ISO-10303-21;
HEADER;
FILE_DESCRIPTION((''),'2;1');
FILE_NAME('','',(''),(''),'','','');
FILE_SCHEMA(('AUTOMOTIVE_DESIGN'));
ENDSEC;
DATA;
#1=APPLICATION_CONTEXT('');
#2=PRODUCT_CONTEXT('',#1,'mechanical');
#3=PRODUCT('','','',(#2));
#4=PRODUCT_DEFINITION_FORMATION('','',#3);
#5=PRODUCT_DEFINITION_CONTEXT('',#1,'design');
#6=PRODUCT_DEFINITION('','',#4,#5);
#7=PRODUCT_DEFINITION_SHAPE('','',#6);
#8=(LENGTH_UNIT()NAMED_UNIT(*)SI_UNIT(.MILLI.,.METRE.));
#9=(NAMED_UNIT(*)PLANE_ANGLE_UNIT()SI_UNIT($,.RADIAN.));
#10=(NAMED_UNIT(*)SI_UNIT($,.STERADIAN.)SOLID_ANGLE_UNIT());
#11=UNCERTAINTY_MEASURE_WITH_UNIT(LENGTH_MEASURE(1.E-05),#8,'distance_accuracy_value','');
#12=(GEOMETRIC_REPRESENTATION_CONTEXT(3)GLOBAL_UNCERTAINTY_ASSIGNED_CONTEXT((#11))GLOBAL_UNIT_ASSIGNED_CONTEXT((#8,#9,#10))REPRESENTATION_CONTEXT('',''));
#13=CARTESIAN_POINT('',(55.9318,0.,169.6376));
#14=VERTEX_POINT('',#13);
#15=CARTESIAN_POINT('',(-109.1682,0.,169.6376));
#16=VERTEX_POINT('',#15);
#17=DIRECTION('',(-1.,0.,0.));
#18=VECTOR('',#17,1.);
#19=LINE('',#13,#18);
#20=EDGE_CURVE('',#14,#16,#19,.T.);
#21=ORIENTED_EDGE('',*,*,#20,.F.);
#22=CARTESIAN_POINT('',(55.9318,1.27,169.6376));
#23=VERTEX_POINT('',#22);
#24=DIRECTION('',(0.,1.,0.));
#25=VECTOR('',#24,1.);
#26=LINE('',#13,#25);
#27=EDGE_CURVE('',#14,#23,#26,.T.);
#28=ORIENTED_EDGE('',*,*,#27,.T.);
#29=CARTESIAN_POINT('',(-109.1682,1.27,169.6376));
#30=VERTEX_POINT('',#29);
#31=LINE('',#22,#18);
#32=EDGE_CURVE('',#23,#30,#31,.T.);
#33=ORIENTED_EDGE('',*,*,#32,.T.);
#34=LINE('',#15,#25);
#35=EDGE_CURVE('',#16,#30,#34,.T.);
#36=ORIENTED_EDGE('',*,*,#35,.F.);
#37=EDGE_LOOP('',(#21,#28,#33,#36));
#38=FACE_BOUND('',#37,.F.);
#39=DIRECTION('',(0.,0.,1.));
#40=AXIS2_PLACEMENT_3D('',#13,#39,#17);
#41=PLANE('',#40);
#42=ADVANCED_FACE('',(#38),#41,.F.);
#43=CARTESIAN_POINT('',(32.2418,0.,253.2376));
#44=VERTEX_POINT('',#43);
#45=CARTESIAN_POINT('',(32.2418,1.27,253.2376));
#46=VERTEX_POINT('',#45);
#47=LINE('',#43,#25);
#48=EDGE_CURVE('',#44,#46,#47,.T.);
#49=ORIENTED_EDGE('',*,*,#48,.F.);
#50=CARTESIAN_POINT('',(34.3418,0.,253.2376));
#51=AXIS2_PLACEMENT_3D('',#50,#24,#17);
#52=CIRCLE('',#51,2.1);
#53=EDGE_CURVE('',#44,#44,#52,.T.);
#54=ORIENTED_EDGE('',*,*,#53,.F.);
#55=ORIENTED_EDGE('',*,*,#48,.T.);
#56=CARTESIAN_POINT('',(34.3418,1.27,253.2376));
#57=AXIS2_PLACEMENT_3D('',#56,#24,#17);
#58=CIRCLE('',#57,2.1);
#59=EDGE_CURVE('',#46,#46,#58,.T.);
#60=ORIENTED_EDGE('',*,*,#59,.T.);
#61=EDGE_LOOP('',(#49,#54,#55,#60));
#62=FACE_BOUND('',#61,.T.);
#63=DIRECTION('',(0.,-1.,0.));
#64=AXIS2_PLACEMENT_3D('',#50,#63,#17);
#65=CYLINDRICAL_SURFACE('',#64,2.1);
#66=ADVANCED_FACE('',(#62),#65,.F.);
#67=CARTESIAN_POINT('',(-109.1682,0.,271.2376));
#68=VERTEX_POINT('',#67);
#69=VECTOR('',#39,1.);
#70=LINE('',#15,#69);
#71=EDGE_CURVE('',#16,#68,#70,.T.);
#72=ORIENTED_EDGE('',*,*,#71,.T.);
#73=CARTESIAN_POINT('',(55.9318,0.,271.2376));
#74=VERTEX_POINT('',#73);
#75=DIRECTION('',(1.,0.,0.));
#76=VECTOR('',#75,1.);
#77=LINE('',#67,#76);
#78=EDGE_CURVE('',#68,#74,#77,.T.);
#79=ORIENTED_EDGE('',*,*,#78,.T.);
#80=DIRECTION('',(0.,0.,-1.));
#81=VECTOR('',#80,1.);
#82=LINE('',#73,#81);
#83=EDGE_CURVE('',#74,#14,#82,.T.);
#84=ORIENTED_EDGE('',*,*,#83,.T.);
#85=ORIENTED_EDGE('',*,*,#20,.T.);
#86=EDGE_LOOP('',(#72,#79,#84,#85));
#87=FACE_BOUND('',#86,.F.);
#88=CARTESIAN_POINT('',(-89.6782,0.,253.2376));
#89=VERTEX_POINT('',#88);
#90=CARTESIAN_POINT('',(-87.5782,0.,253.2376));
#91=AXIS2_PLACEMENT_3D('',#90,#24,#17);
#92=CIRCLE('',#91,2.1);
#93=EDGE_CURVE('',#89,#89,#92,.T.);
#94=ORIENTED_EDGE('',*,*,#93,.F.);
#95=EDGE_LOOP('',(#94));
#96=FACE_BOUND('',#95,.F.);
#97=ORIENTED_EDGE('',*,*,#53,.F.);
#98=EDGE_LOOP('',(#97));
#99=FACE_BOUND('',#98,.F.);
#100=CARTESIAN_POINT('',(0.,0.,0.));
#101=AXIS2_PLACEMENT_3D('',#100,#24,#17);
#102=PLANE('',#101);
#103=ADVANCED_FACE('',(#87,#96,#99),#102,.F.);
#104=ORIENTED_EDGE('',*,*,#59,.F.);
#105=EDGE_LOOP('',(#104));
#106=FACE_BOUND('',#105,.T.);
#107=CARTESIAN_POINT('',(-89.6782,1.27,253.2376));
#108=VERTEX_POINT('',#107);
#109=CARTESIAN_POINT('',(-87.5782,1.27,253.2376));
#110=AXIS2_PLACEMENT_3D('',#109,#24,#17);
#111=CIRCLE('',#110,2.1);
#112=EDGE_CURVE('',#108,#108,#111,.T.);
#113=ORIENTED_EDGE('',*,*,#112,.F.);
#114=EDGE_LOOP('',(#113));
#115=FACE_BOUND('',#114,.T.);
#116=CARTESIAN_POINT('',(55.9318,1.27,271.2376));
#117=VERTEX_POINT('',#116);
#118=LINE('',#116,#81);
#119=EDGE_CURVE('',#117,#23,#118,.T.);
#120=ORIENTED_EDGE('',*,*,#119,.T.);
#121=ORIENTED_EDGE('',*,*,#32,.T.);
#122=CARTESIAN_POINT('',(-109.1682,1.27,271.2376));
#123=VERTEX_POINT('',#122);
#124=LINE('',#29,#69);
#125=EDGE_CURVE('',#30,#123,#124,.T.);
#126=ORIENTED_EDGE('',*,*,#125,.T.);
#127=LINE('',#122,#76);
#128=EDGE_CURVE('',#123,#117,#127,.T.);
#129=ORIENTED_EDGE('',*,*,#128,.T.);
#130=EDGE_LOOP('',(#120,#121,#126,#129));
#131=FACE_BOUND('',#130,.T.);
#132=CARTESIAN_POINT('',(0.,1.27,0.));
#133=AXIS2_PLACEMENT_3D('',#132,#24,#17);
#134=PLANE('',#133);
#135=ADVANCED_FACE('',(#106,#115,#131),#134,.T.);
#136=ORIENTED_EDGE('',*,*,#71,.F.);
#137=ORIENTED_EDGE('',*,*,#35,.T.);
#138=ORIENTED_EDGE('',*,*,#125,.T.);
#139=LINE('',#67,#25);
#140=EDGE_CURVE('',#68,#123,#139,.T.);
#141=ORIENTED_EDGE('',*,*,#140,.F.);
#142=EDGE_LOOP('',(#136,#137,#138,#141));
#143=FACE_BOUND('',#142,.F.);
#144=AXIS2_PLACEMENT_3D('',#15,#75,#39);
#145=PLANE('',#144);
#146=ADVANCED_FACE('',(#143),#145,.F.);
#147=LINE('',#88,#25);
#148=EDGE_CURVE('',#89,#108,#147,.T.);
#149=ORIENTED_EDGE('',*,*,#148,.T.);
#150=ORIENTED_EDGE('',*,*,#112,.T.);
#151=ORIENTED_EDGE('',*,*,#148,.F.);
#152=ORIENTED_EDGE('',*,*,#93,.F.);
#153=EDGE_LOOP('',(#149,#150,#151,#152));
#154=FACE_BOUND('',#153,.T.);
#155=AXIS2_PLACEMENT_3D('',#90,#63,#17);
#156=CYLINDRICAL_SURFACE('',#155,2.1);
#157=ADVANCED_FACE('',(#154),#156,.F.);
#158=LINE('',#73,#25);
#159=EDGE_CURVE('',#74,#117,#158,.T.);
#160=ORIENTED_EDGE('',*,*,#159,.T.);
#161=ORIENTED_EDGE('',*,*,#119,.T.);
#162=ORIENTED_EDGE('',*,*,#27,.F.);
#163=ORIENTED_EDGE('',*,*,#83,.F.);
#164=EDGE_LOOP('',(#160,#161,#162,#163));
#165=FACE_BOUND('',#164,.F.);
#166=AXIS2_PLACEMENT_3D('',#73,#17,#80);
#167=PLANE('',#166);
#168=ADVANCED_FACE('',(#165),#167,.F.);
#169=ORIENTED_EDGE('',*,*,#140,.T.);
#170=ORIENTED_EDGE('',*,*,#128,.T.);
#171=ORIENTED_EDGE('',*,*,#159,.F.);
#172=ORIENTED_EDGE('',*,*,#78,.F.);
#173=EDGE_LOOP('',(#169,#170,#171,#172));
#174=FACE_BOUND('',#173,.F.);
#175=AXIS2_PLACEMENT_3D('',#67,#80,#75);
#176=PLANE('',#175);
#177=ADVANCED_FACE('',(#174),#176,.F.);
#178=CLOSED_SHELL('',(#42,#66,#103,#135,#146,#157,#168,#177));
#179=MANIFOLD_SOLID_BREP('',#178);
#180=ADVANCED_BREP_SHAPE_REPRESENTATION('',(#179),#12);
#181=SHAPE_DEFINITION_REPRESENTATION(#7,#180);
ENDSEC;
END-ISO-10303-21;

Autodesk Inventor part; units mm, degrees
ref_plane "YZ Plane" through (0, 0, 0) normal (1, 0, 0) x (0, 1, 0)
ref_plane "XZ Plane" through (0, 0, 0) normal (0, 1, 0) x (-1, 0, 0)
ref_plane "XY Plane" through (0, 0, 0) normal (0, 0, 1) x (1, 0, 0)
sketch "Sketch1" plane through (0, 0, 0) normal (0, 1, 0) x (-1, 0, 0)
  line L0 (109.1682, 271.2376) -> (-55.9318, 271.2376)
  line L1 (-55.9318, 271.2376) -> (-55.9318, 169.6376)
  line L2 (-55.9318, 169.6376) -> (109.1682, 169.6376)
  line L3 (109.1682, 169.6376) -> (109.1682, 271.2376)
  circle A0 centre (87.5782, 253.2376) radius 2.1
  circle A1 centre (-34.3418, 253.2376) radius 2.1
  point P0 (0, 0)
  dimension "d4" = 4.2
  dimension "d6" = 18
  dimension "d10" = 101.6
  dimension "d13" = 165.1
extrude "Extrusion3" add sketch "Sketch1" along normal blind 1.27
properties part number "Plexiglass number plate"
